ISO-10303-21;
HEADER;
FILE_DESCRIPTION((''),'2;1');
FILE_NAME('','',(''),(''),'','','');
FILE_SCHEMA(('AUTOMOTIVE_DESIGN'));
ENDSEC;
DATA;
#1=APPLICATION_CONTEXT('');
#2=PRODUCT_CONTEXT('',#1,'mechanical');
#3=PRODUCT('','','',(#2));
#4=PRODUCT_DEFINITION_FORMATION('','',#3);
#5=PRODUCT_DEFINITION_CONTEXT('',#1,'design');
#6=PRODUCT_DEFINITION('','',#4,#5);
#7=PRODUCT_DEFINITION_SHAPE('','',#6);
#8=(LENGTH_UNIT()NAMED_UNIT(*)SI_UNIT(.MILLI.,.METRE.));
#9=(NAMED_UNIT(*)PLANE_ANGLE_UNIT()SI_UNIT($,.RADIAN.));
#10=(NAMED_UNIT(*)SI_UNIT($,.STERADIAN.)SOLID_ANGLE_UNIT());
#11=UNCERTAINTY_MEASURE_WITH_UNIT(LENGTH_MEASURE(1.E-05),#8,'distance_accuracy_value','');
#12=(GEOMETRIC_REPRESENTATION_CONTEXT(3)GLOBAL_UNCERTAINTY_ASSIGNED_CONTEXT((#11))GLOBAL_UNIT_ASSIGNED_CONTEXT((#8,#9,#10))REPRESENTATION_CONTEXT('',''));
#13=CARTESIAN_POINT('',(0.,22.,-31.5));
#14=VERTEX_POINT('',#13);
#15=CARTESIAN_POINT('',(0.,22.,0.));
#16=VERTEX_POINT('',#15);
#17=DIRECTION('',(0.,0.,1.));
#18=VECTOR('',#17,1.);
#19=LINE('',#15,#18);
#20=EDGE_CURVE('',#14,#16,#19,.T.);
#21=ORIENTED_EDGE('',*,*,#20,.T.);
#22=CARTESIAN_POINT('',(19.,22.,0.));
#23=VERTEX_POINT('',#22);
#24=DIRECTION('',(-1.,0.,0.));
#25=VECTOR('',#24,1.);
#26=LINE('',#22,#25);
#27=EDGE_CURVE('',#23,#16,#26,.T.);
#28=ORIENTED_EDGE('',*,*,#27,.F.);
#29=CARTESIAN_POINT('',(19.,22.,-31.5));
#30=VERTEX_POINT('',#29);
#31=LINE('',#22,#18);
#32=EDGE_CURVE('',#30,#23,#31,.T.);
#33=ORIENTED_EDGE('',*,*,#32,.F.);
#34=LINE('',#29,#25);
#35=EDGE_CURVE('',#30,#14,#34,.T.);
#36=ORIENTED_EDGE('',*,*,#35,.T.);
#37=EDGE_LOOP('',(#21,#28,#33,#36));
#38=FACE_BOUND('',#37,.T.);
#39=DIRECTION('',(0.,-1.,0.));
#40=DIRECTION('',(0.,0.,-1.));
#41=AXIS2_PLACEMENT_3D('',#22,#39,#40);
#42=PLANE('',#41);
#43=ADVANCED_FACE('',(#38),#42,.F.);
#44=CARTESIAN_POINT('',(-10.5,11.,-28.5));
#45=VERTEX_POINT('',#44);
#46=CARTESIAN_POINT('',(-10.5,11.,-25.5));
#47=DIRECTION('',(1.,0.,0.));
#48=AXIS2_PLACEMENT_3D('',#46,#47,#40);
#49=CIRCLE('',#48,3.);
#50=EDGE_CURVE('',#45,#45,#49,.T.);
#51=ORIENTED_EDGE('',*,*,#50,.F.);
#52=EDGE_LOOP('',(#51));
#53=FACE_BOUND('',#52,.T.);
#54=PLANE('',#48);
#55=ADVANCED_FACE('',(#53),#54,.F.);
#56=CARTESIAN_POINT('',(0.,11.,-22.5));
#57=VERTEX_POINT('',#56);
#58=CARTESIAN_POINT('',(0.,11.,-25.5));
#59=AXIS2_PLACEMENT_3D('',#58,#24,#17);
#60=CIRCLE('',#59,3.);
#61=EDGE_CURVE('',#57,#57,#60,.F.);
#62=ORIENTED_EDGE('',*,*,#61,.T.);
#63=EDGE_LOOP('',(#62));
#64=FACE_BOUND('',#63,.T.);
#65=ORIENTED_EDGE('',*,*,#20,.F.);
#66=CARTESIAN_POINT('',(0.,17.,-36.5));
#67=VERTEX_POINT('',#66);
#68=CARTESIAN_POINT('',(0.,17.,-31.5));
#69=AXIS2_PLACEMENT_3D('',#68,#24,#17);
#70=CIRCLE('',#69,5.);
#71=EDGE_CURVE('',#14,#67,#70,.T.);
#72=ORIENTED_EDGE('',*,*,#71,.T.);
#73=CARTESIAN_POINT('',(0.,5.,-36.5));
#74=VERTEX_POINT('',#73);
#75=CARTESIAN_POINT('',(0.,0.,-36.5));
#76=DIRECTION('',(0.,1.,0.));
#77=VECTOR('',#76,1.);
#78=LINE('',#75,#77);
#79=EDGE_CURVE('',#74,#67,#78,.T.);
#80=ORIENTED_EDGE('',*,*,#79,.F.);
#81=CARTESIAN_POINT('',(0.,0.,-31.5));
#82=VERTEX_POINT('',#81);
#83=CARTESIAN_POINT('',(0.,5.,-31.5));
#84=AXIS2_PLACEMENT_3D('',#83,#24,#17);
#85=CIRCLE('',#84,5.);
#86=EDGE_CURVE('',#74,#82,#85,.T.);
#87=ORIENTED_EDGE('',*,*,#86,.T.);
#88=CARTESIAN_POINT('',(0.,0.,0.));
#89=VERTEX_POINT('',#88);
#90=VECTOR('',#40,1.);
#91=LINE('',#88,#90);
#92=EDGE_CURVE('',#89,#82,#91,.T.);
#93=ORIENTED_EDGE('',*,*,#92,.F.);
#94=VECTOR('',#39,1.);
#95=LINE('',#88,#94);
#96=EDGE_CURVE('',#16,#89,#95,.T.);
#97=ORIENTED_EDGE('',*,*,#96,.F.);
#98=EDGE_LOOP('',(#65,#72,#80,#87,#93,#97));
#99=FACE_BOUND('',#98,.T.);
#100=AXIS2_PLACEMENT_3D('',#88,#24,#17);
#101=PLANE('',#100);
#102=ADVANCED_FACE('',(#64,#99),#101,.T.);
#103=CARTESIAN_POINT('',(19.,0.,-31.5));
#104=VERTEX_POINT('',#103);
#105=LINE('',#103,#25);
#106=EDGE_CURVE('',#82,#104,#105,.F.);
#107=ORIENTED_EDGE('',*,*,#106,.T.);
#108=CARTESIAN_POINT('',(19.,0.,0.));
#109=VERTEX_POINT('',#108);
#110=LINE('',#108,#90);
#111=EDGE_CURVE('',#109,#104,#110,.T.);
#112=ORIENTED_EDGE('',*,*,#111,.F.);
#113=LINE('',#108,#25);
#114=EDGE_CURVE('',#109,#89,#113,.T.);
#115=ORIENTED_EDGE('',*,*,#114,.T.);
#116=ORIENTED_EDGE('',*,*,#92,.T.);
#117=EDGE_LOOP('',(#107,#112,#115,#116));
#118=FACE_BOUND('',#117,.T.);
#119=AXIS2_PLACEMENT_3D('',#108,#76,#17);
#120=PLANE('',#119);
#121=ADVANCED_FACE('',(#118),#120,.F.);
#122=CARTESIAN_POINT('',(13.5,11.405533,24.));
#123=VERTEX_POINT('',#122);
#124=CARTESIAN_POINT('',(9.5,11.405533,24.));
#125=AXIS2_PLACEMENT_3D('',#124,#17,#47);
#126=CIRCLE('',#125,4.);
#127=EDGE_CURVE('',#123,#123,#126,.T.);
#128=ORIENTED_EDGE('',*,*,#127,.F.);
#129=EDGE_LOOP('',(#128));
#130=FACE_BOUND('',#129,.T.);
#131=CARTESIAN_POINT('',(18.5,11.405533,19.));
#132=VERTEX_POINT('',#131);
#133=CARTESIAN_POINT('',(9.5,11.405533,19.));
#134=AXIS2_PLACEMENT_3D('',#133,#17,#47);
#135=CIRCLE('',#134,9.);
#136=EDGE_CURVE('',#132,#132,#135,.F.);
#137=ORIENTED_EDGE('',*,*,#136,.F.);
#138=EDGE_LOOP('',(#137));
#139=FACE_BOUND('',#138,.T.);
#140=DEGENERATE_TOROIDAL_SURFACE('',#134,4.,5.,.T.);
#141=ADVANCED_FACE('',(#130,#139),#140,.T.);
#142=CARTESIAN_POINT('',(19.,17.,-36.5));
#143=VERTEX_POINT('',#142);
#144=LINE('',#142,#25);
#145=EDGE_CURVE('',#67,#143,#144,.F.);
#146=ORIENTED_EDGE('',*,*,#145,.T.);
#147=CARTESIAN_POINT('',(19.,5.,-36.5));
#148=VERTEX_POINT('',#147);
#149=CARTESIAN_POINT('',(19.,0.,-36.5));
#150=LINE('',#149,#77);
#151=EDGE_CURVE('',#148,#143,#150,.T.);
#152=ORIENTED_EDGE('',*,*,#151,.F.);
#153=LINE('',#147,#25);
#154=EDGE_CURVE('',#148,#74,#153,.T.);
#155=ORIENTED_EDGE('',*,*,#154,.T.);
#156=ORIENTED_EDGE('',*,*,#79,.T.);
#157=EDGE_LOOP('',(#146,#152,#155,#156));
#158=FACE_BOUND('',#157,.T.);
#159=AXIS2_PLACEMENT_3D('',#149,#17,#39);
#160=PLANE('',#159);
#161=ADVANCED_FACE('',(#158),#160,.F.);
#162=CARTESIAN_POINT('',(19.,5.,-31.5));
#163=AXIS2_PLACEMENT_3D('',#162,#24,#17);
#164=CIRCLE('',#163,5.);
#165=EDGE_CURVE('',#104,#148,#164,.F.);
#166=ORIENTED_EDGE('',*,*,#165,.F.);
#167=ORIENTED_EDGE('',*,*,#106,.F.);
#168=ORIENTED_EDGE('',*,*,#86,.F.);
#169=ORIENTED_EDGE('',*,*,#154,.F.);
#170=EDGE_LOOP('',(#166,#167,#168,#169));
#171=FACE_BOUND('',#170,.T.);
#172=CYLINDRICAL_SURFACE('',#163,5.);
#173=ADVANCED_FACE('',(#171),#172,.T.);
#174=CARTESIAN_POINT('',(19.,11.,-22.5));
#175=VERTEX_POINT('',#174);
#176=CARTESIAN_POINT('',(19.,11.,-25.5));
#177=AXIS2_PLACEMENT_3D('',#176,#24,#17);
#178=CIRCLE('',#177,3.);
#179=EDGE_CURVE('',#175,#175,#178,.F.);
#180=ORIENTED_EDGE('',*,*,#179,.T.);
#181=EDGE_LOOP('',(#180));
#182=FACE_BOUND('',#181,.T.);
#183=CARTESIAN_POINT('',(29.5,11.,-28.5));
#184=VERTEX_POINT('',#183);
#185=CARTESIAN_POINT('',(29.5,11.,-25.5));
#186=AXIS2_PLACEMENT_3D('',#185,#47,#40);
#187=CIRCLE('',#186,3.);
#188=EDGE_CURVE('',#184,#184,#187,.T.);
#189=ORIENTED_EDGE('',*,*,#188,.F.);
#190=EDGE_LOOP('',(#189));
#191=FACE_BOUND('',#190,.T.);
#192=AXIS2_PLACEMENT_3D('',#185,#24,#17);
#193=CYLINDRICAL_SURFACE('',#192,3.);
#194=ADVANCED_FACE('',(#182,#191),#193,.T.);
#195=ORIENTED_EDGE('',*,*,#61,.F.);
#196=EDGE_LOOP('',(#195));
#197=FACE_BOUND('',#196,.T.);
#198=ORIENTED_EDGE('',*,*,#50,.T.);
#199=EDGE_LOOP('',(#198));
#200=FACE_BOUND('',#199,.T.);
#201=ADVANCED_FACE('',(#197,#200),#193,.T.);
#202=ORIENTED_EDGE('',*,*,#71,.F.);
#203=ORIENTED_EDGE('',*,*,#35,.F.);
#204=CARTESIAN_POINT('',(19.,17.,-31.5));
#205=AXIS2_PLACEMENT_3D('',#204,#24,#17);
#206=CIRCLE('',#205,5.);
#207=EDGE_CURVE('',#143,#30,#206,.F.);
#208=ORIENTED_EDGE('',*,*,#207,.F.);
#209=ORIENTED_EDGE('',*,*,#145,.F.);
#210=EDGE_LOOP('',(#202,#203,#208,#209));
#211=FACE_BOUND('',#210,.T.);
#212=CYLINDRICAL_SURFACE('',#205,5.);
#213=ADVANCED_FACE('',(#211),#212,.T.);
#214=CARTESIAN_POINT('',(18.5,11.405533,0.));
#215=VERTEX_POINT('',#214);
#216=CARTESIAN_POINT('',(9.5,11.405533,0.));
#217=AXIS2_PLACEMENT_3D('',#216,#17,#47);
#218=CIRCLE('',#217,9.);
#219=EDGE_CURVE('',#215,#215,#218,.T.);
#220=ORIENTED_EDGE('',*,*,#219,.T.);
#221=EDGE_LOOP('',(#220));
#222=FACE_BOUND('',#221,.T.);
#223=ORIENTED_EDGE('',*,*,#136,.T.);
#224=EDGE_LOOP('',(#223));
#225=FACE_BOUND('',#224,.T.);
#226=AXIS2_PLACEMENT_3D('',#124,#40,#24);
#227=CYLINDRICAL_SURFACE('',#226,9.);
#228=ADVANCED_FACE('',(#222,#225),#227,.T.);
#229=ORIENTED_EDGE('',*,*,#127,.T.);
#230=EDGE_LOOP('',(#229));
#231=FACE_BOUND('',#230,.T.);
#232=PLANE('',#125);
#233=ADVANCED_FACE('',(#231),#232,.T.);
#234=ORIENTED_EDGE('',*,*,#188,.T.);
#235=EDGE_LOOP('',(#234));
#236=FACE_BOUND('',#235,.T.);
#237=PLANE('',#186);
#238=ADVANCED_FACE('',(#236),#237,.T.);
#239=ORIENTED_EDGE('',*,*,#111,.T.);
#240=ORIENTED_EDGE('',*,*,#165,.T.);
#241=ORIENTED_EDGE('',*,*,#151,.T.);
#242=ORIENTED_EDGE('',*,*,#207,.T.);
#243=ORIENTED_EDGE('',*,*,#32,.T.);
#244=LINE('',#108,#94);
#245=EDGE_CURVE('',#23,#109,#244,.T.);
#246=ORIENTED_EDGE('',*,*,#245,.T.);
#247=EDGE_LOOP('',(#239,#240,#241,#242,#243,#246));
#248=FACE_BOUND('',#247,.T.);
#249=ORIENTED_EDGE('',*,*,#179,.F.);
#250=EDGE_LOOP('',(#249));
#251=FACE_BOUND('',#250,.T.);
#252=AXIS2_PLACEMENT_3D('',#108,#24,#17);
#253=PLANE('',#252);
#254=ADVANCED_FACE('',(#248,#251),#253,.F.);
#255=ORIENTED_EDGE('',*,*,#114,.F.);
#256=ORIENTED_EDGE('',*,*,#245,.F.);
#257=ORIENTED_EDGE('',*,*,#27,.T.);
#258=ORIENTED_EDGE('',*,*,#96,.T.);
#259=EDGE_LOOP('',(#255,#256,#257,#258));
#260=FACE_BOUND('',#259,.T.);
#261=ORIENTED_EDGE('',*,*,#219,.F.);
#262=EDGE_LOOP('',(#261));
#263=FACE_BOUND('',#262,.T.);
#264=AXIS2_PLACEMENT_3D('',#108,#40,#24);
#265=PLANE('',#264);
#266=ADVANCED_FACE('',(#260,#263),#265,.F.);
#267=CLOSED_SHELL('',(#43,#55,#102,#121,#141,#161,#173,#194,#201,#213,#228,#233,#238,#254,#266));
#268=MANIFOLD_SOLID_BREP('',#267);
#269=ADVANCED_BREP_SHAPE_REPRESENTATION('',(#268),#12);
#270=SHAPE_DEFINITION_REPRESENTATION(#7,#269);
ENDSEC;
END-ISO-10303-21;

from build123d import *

# Parameters (mm, degrees)
SKETCH_1_W      = 36.5
SKETCH_1_H      = 22
EXTRUDE_1_DEPTH = 19
SKETCH_3_R      = 3
EXTRUDE_3_DEPTH = 20
FILLET_1_R      = 5
SKETCH_4_R      = 9
EXTRUDE_4_DEPTH = 24
FILLET_2_R      = 5


with BuildPart() as part:
    # 草图1 → 凸台-拉伸1 (new body)
    with BuildSketch(Plane(origin=(0, 0, 0), x_dir=(0, 0, -1), z_dir=(1, 0, 0))):
        with Locations((18.25, 11)):
            Rectangle(SKETCH_1_W, SKETCH_1_H)
    extrude(amount=EXTRUDE_1_DEPTH)

    # 草图3 → 凸台-拉伸3 (add, symmetric)
    with BuildSketch(Plane(origin=(9.5, 0, 0), x_dir=(0, 0, -1), z_dir=(1, 0, 0))):
        with Locations((25.5, 11)):
            Circle(SKETCH_3_R)
    extrude(amount=EXTRUDE_3_DEPTH, both=True)

    # 圆角1
    fillet_1_edges = [part.edges().sort_by_distance(p)[0] for p in [
        (9.5, 22, -36.5),
        (9.5, 0, -36.5),
    ]]
    fillet(fillet_1_edges, radius=FILLET_1_R)

    # 草图4 → 凸台-拉伸4 (add)
    with BuildSketch(Plane.XY):
        with Locations((9.5, 11.405533056)):
            Circle(SKETCH_4_R)
    extrude(amount=EXTRUDE_4_DEPTH)

    # 圆角2
    fillet_2_edges = [part.edges().sort_by_distance(p)[0] for p in [
        (0.5, 11.405533056, 24),
    ]]
    fillet(fillet_2_edges, radius=FILLET_2_R)


solid = part.part
